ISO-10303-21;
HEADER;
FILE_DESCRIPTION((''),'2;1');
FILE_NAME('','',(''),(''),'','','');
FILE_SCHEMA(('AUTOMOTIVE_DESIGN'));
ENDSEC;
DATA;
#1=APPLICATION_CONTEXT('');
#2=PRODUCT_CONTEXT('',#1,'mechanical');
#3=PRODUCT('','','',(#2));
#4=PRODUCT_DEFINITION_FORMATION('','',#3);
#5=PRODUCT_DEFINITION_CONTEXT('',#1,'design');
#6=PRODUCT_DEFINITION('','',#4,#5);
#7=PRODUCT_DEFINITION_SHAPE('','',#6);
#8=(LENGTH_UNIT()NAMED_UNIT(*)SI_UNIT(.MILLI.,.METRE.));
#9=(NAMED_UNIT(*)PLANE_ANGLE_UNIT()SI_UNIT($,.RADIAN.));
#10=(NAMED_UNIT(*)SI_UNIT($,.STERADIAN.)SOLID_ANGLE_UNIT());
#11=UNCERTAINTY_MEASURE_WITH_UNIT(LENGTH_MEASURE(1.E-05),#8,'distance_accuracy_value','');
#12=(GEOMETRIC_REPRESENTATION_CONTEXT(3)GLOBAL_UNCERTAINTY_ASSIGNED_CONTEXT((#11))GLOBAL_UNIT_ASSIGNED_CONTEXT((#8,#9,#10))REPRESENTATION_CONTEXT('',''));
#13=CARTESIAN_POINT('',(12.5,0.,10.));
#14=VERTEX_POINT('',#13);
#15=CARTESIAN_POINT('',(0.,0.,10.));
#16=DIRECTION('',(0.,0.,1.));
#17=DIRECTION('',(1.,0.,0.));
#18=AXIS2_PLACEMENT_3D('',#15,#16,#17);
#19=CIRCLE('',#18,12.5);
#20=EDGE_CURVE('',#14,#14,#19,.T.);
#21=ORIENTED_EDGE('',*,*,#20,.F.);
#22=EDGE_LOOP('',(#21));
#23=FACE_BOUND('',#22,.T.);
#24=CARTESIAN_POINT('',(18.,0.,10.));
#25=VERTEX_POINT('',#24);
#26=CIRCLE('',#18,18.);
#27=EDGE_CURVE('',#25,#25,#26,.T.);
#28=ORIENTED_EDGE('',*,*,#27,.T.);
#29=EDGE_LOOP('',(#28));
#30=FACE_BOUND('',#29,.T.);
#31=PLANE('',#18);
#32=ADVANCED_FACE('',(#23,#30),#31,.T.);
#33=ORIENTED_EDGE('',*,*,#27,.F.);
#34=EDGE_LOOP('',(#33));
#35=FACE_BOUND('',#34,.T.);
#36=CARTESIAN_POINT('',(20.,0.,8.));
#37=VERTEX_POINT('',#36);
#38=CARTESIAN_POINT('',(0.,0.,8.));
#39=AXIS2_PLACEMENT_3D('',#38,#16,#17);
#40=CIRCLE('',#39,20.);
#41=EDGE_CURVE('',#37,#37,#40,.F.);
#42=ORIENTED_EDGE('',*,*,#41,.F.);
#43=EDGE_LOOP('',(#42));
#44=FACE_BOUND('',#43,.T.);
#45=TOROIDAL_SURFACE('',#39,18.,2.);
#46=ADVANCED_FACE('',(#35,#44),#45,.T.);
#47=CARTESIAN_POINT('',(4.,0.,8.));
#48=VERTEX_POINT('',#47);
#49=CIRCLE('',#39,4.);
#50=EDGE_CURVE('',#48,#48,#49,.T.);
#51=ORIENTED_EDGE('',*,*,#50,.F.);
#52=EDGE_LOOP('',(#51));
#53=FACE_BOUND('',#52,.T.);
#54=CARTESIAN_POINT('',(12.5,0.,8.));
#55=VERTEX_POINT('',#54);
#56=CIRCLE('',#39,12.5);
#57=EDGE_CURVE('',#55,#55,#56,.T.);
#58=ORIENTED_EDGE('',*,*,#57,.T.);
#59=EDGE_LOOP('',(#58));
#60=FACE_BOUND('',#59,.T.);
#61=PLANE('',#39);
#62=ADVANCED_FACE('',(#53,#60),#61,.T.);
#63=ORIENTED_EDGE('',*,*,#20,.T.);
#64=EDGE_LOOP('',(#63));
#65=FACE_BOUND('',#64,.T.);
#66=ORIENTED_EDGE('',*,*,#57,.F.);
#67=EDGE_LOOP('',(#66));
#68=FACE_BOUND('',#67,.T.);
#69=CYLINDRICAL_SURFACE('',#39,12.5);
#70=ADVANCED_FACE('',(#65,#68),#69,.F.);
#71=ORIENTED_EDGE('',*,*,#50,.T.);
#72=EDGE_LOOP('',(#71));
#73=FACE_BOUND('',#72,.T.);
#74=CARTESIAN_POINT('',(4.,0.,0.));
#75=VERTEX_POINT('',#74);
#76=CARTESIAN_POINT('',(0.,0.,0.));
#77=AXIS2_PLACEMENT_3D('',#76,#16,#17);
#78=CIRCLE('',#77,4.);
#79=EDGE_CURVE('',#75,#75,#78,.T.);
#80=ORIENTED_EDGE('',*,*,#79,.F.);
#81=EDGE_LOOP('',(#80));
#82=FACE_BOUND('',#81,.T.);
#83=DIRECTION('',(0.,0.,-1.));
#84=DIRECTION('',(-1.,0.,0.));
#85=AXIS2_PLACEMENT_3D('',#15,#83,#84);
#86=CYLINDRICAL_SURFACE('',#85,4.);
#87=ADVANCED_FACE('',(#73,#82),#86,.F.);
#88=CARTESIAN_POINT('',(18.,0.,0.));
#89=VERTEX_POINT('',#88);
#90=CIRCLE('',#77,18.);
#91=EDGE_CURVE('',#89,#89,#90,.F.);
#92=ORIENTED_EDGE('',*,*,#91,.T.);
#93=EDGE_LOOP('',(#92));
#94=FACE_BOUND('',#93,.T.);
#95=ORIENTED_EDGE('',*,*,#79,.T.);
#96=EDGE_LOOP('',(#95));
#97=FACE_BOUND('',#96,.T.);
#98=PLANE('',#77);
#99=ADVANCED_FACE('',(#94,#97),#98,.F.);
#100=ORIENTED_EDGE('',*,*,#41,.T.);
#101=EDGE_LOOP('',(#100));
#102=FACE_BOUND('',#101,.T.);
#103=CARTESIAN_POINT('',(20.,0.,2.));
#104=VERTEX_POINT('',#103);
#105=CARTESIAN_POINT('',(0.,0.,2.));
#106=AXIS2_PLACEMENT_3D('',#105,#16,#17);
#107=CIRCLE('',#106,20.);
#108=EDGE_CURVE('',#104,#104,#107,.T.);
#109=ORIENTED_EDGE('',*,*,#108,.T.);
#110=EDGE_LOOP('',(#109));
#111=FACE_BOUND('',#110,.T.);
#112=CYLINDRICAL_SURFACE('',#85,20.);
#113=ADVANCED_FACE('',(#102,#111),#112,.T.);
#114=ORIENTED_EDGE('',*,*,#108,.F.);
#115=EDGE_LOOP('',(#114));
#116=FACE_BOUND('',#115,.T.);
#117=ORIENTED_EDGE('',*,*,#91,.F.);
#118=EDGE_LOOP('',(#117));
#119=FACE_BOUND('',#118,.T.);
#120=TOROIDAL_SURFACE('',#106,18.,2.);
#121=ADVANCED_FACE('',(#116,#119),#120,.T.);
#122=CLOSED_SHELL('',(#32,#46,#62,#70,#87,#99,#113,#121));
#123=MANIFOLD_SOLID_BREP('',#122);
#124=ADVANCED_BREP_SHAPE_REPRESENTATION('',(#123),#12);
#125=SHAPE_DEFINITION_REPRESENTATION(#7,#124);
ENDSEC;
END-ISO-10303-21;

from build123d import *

# Parameters (mm, degrees)
SKETCH1_R           = 20
BOSS_EXTRUDE1_DEPTH = 10
SKETCH2_R           = 4
CUT_EXTRUDE1_DEPTH  = 11
SKETCH3_R           = 12.5
CUT_EXTRUDE2_DEPTH  = 2
FILLET1_R           = 2


with BuildPart() as part:
    # Sketch1 → Boss-Extrude1 (new body)
    with BuildSketch(Plane.XY):
        Circle(SKETCH1_R)
    extrude(amount=BOSS_EXTRUDE1_DEPTH)

    # Sketch2 → Cut-Extrude1 (cut, through all)
    with BuildSketch(Plane.XY):
        Circle(SKETCH2_R)
    extrude(amount=CUT_EXTRUDE1_DEPTH, mode=Mode.SUBTRACT)

    # Sketch3 → Cut-Extrude2 (cut)
    with BuildSketch(Plane.XY.offset(10)):
        Circle(SKETCH3_R)
    extrude(amount=-CUT_EXTRUDE2_DEPTH, mode=Mode.SUBTRACT)

    # Fillet1
    fillet1_edges = [part.edges().sort_by_distance(p)[0] for p in [
        (-20, 0, 0),
        (-20, 0, 10),
    ]]
    fillet(fillet1_edges, radius=FILLET1_R)


solid = part.part
